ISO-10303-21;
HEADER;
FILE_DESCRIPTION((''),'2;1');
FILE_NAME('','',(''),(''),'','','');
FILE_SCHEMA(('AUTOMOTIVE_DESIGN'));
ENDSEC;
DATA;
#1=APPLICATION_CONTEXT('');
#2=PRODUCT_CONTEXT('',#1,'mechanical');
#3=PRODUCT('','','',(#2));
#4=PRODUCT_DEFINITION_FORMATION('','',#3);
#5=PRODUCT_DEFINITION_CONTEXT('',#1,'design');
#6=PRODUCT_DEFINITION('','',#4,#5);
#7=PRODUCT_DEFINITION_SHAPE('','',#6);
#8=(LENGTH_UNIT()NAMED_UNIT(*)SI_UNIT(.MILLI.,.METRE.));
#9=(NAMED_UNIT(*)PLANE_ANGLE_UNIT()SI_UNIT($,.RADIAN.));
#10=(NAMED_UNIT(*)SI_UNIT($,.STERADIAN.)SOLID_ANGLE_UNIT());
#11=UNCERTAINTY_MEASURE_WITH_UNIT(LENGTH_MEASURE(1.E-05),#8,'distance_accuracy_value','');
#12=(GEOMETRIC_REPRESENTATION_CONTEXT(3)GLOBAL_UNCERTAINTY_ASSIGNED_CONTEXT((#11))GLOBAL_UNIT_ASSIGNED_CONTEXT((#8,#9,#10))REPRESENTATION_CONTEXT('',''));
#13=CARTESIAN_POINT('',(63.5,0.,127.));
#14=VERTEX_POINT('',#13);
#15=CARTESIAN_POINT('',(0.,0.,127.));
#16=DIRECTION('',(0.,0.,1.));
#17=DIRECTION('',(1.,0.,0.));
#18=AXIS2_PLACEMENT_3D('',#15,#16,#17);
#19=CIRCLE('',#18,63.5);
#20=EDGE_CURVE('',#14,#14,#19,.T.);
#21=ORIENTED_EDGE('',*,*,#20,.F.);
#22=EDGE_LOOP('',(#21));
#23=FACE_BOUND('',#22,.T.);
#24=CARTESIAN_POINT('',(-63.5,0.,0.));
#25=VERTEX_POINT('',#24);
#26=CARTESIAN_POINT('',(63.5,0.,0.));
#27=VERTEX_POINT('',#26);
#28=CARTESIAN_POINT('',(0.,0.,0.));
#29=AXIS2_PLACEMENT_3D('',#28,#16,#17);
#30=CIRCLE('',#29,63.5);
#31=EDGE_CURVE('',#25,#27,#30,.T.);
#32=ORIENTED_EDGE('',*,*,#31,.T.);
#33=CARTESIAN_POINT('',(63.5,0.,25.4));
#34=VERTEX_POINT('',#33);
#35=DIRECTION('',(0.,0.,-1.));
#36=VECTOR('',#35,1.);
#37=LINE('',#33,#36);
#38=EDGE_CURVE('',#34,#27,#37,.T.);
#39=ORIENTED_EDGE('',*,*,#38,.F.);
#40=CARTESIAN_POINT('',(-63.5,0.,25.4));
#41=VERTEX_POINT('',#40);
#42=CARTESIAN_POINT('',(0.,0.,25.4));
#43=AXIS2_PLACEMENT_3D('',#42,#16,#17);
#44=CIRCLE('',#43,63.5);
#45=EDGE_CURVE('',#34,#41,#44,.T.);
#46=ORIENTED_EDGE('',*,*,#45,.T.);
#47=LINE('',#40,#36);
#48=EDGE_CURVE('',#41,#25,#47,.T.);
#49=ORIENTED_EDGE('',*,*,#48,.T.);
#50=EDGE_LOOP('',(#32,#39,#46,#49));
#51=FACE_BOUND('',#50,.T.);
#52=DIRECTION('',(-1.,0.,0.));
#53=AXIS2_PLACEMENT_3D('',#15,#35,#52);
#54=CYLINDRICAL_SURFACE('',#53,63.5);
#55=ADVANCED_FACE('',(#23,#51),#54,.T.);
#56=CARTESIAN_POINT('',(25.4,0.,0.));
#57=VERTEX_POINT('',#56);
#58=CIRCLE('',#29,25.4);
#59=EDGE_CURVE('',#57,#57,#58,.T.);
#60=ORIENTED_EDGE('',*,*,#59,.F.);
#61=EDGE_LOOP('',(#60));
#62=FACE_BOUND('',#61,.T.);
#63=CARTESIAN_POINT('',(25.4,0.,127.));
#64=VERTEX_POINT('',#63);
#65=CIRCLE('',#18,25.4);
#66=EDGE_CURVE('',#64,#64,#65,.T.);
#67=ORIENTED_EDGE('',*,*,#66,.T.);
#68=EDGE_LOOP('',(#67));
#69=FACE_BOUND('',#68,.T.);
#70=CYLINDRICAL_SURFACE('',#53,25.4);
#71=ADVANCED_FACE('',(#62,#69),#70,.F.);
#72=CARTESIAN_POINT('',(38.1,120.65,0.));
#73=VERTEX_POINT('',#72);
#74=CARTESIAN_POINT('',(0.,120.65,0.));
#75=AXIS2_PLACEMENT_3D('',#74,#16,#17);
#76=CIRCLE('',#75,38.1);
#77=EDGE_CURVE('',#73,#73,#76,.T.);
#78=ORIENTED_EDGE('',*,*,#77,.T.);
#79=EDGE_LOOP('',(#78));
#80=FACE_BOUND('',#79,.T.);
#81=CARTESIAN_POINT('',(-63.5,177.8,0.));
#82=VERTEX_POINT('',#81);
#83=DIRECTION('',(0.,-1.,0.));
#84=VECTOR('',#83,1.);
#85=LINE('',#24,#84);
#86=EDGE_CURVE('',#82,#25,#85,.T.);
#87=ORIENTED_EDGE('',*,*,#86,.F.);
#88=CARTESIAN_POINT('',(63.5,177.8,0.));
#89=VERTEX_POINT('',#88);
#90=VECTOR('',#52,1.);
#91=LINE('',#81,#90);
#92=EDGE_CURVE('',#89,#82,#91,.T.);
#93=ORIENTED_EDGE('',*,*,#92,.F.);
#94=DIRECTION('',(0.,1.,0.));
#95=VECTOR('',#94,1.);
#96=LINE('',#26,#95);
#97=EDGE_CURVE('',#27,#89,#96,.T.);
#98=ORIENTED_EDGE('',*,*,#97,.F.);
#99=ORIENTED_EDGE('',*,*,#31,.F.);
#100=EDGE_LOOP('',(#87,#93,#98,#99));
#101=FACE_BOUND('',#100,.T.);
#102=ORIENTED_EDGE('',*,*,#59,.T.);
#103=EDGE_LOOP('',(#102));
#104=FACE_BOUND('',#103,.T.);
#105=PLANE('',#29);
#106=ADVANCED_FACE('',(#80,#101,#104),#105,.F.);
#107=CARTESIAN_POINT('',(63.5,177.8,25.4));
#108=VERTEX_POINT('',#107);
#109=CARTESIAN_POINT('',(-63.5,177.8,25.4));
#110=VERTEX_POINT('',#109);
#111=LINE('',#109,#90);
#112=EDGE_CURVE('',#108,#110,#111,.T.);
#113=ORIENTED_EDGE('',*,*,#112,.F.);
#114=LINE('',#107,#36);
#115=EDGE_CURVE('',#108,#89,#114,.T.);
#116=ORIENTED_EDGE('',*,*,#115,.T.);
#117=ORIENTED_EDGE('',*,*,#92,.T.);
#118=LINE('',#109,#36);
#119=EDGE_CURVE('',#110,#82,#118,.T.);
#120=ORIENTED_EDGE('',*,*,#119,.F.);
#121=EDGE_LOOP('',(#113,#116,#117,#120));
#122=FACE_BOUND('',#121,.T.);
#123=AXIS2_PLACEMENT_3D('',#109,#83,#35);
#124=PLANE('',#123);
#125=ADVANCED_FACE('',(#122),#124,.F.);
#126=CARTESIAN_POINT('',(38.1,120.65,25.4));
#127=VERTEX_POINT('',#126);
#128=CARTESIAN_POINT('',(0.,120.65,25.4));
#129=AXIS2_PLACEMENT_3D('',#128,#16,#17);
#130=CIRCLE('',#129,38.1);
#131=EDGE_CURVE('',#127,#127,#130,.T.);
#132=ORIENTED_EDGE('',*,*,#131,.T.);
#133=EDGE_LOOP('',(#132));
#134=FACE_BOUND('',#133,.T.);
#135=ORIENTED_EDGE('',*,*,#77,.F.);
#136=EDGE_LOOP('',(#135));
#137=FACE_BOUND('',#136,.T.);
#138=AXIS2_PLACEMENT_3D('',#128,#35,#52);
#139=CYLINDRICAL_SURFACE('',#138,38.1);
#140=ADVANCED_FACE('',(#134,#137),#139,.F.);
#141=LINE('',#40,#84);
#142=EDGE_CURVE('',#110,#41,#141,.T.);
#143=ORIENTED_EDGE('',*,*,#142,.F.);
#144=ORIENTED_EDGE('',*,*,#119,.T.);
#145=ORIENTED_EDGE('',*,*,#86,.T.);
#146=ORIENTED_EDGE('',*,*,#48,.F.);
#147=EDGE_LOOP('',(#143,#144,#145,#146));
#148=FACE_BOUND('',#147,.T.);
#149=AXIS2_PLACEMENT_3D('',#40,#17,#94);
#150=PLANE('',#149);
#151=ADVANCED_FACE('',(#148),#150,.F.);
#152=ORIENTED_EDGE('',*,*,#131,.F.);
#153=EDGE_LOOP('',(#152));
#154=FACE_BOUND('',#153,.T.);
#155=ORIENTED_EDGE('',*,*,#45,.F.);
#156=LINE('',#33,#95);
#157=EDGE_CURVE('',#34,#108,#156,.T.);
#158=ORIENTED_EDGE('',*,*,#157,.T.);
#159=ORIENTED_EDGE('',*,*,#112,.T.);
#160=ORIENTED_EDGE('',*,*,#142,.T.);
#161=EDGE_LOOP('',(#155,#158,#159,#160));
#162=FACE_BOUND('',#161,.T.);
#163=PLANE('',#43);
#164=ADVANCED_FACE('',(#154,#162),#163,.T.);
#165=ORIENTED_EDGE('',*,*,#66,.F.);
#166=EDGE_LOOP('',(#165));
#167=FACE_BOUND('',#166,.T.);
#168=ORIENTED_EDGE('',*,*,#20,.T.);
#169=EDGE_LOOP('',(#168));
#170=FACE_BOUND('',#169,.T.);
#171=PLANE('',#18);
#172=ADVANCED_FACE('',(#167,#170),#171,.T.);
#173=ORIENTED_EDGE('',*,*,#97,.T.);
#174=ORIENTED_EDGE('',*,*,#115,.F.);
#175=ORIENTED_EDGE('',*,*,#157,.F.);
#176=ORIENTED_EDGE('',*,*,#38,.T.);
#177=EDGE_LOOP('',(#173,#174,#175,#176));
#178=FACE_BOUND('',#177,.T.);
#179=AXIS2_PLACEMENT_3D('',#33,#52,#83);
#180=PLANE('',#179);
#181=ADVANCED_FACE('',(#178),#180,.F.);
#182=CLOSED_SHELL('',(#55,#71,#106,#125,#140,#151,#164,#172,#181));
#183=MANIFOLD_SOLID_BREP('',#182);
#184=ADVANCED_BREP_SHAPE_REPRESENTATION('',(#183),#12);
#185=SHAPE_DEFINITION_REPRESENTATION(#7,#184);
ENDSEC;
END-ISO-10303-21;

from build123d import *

# Parameters (mm, degrees)
SKETCH3_R           = 63.5
SKETCH3_R_2         = 25.4
BOSS_EXTRUDE1_DEPTH = 127
SKETCH4_R           = 25.4
SKETCH4_R_2         = 38.1
BOSS_EXTRUDE2_DEPTH = 25.4


with BuildPart() as part:
    # Sketch3 → Boss-Extrude1 (new body)
    with BuildSketch(Plane(origin=(0, 0, 0), x_dir=(0, 1, 0), z_dir=(0, 0, 1))):
        with Locations(Location((0, 0, 0), (0, 0, 270))):
            Circle(SKETCH3_R)
        with Locations(Location((0, 0, 0), (0, 0, 270))):
            Circle(SKETCH3_R_2, mode=Mode.SUBTRACT)
    extrude(amount=BOSS_EXTRUDE1_DEPTH)

    # Sketch4 → Boss-Extrude2 (add)
    with BuildSketch(Plane(origin=(0, 0, 0), x_dir=(0, 1, 0), z_dir=(0, 0, 1))):
        with BuildLine():
            Line((0, 63.5), (177.8, 63.5))
            Line((177.8, 63.5), (177.8, -63.5))
            Line((177.8, -63.5), (0, -63.5))
            ThreePointArc((0, -63.5), (-63.5, 0), (0, 63.5))
        make_face()
        with Locations(Location((0, 0, 0), (0, 0, 270))):
            Circle(SKETCH4_R, mode=Mode.SUBTRACT)
        with Locations(Location((120.65, 0, 0), (0, 0, 270))):
            Circle(SKETCH4_R_2, mode=Mode.SUBTRACT)
    extrude(amount=BOSS_EXTRUDE2_DEPTH)


solid = part.part
